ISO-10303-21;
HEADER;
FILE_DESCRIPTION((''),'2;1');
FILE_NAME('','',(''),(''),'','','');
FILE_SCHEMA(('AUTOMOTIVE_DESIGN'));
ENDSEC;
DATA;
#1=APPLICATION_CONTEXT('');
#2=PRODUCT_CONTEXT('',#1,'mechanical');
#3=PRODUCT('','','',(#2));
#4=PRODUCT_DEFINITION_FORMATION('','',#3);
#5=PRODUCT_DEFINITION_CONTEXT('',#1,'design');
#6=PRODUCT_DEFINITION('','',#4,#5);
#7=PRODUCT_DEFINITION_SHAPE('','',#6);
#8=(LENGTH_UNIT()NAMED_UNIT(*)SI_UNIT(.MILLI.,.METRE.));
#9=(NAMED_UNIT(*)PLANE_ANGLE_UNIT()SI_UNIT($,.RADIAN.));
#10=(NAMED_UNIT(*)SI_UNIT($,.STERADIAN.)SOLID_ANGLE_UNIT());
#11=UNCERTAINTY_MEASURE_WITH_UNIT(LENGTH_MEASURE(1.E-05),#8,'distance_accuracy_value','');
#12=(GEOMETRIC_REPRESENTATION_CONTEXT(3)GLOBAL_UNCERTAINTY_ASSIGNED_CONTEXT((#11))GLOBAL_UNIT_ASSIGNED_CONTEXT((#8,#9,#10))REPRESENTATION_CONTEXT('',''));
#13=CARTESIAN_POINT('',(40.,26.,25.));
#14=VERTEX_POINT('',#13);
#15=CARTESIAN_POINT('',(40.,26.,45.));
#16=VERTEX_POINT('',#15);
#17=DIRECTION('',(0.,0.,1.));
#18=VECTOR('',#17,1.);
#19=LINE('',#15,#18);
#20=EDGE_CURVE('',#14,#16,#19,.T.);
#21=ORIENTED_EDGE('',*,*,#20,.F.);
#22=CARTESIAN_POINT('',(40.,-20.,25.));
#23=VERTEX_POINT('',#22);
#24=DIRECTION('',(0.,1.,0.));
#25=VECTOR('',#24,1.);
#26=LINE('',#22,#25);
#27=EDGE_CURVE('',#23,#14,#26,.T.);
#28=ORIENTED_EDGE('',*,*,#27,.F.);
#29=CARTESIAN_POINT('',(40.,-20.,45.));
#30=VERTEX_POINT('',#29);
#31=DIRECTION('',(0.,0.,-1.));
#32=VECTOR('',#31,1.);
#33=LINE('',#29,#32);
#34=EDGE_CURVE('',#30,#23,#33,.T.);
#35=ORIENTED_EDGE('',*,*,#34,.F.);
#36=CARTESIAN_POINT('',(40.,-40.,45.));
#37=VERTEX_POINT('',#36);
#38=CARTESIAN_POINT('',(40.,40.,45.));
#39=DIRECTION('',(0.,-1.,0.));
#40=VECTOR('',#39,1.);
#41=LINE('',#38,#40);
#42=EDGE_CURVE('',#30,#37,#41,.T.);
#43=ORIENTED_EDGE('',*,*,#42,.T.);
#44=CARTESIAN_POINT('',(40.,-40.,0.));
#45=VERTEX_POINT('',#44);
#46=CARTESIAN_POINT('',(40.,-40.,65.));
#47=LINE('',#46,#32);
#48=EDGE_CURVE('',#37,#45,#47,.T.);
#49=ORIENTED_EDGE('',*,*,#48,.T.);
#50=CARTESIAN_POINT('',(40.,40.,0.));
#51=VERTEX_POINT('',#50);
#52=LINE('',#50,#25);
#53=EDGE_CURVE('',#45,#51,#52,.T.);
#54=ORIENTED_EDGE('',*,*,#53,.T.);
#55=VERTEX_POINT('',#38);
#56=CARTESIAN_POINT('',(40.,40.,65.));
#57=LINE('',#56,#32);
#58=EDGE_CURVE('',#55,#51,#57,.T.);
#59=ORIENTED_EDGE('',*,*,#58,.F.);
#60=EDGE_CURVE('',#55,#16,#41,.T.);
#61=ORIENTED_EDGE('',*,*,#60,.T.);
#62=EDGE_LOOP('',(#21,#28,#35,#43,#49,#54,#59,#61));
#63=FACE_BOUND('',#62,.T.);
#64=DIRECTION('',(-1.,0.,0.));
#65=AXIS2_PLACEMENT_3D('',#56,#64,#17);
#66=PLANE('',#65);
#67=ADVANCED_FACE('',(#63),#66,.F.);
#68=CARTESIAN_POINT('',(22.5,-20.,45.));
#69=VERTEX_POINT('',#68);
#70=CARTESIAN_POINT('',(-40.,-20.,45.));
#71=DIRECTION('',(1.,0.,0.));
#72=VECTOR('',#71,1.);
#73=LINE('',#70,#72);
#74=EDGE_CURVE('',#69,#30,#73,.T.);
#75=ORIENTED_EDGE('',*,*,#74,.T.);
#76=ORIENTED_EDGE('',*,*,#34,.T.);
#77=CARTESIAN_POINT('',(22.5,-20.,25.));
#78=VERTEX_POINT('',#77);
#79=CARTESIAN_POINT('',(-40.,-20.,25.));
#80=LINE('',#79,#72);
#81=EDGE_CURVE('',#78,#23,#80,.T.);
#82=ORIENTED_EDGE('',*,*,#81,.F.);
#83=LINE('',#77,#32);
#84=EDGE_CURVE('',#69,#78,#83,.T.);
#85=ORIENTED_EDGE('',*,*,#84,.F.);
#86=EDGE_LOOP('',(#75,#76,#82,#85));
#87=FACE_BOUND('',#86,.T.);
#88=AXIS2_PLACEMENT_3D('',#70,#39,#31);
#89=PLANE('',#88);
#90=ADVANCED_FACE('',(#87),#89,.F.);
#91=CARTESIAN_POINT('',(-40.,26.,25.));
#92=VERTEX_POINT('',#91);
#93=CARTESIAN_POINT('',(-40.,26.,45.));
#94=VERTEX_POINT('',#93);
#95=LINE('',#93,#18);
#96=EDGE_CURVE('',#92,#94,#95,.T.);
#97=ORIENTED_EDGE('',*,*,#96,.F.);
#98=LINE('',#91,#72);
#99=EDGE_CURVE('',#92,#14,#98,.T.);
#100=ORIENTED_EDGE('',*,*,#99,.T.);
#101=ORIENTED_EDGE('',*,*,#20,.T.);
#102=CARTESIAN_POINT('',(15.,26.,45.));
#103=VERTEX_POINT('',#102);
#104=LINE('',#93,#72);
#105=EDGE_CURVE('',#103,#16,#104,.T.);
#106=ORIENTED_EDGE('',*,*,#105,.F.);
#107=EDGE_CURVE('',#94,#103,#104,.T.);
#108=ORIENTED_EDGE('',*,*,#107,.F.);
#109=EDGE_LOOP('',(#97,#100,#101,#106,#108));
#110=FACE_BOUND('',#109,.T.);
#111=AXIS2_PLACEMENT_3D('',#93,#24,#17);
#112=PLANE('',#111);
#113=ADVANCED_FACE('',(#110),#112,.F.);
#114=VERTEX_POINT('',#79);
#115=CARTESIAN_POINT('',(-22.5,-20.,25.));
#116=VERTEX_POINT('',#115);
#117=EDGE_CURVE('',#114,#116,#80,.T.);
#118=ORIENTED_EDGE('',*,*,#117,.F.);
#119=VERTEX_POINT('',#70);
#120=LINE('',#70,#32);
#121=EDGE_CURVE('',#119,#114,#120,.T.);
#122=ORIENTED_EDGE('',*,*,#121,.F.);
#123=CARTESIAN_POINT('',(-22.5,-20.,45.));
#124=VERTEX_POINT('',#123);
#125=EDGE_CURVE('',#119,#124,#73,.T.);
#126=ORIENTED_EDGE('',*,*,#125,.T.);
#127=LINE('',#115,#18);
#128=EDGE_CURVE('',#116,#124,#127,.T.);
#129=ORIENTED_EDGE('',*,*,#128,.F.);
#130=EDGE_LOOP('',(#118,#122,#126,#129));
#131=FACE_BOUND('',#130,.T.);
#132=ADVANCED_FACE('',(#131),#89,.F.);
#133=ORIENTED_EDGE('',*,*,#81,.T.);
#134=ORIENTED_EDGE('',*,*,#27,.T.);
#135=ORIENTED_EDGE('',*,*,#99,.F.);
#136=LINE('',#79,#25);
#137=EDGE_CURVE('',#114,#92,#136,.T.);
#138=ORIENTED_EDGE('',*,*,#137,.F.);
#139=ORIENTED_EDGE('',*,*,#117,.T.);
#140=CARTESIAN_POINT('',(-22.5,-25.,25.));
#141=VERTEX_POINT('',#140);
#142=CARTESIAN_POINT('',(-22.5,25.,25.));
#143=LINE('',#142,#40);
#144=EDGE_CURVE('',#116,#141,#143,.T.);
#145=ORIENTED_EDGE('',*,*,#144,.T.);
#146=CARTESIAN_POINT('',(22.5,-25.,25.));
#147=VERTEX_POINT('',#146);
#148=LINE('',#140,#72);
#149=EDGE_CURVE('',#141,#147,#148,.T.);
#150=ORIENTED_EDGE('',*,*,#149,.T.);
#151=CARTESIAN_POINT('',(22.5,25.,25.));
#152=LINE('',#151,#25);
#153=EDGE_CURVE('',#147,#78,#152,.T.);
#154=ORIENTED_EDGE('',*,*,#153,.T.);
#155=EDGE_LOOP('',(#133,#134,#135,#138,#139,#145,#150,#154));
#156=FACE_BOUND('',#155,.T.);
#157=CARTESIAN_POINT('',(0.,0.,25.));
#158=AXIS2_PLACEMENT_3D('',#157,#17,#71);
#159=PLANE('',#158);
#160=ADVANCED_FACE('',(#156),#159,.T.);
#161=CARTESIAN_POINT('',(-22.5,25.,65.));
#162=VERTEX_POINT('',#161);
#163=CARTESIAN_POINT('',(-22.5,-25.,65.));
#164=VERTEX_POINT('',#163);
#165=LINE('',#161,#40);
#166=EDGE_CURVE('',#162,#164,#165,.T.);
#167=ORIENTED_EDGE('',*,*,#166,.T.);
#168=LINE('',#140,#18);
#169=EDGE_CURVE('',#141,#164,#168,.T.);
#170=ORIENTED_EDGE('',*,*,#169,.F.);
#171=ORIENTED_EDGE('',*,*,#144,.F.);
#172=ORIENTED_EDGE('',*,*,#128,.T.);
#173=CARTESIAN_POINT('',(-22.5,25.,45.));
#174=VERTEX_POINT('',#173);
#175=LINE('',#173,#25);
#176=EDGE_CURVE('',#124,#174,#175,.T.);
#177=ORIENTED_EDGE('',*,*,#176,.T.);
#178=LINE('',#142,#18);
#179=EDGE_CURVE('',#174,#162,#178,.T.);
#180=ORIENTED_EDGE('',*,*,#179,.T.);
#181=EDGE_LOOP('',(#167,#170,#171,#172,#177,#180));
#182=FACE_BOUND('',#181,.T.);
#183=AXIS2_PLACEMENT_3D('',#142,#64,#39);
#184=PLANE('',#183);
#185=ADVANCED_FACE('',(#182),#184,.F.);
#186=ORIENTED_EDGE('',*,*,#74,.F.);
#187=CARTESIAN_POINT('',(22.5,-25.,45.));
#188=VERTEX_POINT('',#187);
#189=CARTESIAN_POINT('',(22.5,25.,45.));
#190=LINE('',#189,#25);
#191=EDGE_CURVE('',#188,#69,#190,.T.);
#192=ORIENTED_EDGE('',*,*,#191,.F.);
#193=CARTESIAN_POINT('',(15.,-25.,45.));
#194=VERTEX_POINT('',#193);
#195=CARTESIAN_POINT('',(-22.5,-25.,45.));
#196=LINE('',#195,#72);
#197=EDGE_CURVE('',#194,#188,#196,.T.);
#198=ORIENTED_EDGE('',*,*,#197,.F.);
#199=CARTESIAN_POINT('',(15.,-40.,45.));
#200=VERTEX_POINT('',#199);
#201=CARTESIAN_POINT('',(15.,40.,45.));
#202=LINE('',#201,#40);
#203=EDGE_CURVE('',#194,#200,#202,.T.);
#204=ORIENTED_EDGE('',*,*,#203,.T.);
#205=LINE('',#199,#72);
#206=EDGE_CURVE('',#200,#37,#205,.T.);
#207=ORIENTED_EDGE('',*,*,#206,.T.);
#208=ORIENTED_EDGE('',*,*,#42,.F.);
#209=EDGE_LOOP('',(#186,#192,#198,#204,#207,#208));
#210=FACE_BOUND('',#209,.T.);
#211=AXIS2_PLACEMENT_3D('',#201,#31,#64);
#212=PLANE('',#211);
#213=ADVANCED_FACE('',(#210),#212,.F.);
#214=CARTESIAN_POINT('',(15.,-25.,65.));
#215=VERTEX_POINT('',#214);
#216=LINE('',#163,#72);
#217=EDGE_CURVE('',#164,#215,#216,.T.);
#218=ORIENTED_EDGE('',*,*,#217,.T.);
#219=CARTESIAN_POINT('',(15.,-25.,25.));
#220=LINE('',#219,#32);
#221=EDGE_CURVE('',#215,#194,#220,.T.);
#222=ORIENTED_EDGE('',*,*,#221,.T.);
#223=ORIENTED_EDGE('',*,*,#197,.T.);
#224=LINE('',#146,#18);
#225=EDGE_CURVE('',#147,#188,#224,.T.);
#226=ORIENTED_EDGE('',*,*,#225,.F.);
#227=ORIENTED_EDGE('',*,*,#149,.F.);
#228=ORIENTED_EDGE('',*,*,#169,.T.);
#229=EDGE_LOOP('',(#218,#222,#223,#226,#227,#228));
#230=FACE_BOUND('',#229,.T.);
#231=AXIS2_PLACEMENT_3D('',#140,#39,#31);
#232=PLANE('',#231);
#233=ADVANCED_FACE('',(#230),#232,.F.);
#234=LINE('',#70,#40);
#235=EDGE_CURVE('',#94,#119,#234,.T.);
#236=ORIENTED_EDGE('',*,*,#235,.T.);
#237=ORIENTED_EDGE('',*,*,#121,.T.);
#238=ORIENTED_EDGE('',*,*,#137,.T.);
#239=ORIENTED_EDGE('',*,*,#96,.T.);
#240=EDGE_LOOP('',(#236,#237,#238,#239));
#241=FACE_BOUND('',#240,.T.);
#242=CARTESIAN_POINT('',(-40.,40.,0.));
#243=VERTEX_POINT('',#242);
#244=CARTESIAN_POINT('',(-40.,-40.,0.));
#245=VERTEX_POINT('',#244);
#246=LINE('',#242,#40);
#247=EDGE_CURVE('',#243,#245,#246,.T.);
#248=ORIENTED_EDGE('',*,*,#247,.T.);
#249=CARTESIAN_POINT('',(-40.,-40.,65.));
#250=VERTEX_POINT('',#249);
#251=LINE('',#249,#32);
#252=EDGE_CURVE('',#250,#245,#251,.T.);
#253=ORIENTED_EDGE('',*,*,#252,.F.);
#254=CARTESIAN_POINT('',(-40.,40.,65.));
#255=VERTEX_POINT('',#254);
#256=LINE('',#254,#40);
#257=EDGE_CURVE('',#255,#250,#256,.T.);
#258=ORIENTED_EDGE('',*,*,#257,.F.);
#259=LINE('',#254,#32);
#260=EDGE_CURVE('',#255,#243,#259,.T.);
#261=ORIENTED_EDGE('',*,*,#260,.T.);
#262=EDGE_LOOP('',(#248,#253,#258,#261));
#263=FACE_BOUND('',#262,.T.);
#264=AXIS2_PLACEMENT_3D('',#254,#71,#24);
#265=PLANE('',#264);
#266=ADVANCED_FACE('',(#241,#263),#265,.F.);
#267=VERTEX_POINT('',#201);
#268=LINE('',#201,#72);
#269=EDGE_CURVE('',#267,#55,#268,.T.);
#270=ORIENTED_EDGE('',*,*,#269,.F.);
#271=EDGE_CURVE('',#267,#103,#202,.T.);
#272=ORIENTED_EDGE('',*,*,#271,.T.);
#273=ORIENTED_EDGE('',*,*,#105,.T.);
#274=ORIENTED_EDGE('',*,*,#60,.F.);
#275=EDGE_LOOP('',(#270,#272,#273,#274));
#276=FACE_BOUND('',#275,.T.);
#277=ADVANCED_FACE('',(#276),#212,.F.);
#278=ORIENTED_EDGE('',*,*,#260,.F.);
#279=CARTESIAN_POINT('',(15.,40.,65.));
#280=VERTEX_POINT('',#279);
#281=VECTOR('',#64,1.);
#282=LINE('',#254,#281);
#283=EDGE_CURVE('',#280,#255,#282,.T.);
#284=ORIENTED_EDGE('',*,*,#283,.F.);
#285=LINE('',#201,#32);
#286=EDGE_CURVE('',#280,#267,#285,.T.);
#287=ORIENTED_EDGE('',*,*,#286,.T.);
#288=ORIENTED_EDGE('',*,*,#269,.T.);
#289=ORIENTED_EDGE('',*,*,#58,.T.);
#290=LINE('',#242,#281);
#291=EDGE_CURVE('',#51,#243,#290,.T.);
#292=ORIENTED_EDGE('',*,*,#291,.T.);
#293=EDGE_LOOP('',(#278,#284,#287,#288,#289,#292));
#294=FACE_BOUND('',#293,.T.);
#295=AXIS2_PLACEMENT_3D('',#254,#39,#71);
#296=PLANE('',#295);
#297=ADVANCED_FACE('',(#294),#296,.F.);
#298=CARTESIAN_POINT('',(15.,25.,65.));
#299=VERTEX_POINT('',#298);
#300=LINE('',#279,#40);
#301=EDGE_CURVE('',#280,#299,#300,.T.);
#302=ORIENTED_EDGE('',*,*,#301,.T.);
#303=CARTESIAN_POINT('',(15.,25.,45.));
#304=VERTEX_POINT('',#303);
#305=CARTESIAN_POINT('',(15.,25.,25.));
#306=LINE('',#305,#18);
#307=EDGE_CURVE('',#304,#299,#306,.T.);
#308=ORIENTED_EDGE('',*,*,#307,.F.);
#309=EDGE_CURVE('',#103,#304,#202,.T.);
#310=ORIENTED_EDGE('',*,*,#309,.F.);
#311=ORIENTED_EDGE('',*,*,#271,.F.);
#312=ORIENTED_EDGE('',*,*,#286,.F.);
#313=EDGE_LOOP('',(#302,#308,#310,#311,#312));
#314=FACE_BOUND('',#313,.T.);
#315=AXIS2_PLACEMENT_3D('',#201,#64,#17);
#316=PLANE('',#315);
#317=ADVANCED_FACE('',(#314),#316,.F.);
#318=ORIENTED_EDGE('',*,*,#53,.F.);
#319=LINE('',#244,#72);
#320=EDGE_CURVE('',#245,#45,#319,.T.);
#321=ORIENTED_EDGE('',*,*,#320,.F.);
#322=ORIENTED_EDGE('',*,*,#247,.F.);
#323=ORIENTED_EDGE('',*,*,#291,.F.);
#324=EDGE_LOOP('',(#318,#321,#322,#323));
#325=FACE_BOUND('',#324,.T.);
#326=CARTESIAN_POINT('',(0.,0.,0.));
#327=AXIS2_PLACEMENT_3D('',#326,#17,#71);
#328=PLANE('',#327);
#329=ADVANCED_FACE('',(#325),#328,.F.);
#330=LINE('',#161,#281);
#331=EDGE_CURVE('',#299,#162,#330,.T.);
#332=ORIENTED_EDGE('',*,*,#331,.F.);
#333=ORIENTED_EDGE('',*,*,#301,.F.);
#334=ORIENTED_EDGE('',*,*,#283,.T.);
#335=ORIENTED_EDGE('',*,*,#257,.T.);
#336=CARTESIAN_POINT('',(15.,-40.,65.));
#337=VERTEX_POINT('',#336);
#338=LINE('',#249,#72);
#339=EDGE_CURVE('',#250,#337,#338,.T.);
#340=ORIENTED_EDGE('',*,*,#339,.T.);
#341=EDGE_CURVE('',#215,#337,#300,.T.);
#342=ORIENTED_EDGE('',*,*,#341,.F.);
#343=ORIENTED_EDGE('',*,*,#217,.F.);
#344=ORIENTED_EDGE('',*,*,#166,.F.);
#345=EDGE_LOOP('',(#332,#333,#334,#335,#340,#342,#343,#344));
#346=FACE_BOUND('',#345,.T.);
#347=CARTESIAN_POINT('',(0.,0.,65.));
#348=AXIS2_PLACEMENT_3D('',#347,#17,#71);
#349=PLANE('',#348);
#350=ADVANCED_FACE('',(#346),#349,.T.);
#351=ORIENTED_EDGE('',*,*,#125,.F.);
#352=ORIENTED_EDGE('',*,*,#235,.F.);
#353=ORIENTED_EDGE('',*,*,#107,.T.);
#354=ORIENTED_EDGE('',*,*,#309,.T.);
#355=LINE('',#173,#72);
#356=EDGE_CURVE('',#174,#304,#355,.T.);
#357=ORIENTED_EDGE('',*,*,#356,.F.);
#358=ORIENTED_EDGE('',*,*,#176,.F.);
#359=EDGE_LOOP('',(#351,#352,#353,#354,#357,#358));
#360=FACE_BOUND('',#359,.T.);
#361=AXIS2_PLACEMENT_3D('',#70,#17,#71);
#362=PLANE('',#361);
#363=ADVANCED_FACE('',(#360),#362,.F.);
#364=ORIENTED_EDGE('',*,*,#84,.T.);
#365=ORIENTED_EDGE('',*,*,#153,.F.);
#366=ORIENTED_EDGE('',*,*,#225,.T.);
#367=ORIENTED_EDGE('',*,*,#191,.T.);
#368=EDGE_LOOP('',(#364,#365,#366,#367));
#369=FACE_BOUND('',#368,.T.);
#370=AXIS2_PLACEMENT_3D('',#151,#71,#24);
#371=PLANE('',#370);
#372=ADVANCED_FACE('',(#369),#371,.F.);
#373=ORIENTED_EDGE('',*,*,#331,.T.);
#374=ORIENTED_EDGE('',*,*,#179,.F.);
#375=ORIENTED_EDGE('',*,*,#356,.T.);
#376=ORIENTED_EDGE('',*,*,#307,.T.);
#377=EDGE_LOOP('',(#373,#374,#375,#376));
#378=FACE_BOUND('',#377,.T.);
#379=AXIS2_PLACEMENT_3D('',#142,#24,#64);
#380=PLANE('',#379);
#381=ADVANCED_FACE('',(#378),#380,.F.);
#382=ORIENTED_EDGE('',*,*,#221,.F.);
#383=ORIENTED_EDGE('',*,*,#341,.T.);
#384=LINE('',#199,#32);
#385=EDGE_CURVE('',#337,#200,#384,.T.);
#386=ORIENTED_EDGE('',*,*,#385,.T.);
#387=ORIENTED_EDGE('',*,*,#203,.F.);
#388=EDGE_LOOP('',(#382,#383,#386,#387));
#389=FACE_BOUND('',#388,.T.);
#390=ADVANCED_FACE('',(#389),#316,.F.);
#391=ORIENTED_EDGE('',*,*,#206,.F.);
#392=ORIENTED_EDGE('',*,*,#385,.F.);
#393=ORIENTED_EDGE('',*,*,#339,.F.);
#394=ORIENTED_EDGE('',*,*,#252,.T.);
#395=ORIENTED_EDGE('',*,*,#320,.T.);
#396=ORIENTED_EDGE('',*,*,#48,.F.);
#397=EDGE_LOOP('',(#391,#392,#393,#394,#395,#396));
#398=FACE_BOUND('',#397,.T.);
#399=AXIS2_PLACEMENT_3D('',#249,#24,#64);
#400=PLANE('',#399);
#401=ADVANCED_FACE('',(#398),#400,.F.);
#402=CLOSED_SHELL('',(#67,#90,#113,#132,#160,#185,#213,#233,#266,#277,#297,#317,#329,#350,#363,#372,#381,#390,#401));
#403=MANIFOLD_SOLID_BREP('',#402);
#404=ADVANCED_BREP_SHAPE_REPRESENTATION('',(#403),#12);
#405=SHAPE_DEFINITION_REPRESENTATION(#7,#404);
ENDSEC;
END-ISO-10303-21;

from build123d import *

# Parameters (mm, degrees)
IZIM1_W                     = 80
IZIM1_H                     = 80
Y_KSEKLIK_EKSTR_ZYON1_DEPTH = 65
IZIM3_W                     = 45
IZIM3_H                     = 50
KES_EKSTR_ZYON1_DEPTH       = 40
IZIM4_W                     = 20
IZIM4_H                     = 46
KES_EKSTR_ZYON2_DEPTH       = 80
IZIM5_W                     = 25
IZIM5_H                     = 20
KES_EKSTR_ZYON3_DEPTH       = 111.566721937


with BuildPart() as part:
    # Çizim1 → Yükseklik-Ekstrüzyon1 (new body)
    with BuildSketch(Plane.XY):
        Rectangle(IZIM1_W, IZIM1_H)
    extrude(amount=Y_KSEKLIK_EKSTR_ZYON1_DEPTH)

    # Çizim3 → Kes-Ekstrüzyon1 (cut)
    with BuildSketch(Plane.XY.offset(65)):
        Rectangle(IZIM3_W, IZIM3_H)
    extrude(amount=-KES_EKSTR_ZYON1_DEPTH, mode=Mode.SUBTRACT)

    # Çizim4 → Kes-Ekstrüzyon2 (cut)
    with BuildSketch(Plane(origin=(40, 0, 0), x_dir=(0, 0, -1), z_dir=(1, 0, 0))):
        with Locations((-35, 3)):
            Rectangle(IZIM4_W, IZIM4_H)
    extrude(amount=-KES_EKSTR_ZYON2_DEPTH, mode=Mode.SUBTRACT)

    # Çizim5 → Kes-Ekstrüzyon3 (cut, through all)
    with BuildSketch(Plane.XZ.offset(40)):
        with Locations((27.5, 55)):
            Rectangle(IZIM5_W, IZIM5_H)
    extrude(amount=-KES_EKSTR_ZYON3_DEPTH, mode=Mode.SUBTRACT)


solid = part.part
